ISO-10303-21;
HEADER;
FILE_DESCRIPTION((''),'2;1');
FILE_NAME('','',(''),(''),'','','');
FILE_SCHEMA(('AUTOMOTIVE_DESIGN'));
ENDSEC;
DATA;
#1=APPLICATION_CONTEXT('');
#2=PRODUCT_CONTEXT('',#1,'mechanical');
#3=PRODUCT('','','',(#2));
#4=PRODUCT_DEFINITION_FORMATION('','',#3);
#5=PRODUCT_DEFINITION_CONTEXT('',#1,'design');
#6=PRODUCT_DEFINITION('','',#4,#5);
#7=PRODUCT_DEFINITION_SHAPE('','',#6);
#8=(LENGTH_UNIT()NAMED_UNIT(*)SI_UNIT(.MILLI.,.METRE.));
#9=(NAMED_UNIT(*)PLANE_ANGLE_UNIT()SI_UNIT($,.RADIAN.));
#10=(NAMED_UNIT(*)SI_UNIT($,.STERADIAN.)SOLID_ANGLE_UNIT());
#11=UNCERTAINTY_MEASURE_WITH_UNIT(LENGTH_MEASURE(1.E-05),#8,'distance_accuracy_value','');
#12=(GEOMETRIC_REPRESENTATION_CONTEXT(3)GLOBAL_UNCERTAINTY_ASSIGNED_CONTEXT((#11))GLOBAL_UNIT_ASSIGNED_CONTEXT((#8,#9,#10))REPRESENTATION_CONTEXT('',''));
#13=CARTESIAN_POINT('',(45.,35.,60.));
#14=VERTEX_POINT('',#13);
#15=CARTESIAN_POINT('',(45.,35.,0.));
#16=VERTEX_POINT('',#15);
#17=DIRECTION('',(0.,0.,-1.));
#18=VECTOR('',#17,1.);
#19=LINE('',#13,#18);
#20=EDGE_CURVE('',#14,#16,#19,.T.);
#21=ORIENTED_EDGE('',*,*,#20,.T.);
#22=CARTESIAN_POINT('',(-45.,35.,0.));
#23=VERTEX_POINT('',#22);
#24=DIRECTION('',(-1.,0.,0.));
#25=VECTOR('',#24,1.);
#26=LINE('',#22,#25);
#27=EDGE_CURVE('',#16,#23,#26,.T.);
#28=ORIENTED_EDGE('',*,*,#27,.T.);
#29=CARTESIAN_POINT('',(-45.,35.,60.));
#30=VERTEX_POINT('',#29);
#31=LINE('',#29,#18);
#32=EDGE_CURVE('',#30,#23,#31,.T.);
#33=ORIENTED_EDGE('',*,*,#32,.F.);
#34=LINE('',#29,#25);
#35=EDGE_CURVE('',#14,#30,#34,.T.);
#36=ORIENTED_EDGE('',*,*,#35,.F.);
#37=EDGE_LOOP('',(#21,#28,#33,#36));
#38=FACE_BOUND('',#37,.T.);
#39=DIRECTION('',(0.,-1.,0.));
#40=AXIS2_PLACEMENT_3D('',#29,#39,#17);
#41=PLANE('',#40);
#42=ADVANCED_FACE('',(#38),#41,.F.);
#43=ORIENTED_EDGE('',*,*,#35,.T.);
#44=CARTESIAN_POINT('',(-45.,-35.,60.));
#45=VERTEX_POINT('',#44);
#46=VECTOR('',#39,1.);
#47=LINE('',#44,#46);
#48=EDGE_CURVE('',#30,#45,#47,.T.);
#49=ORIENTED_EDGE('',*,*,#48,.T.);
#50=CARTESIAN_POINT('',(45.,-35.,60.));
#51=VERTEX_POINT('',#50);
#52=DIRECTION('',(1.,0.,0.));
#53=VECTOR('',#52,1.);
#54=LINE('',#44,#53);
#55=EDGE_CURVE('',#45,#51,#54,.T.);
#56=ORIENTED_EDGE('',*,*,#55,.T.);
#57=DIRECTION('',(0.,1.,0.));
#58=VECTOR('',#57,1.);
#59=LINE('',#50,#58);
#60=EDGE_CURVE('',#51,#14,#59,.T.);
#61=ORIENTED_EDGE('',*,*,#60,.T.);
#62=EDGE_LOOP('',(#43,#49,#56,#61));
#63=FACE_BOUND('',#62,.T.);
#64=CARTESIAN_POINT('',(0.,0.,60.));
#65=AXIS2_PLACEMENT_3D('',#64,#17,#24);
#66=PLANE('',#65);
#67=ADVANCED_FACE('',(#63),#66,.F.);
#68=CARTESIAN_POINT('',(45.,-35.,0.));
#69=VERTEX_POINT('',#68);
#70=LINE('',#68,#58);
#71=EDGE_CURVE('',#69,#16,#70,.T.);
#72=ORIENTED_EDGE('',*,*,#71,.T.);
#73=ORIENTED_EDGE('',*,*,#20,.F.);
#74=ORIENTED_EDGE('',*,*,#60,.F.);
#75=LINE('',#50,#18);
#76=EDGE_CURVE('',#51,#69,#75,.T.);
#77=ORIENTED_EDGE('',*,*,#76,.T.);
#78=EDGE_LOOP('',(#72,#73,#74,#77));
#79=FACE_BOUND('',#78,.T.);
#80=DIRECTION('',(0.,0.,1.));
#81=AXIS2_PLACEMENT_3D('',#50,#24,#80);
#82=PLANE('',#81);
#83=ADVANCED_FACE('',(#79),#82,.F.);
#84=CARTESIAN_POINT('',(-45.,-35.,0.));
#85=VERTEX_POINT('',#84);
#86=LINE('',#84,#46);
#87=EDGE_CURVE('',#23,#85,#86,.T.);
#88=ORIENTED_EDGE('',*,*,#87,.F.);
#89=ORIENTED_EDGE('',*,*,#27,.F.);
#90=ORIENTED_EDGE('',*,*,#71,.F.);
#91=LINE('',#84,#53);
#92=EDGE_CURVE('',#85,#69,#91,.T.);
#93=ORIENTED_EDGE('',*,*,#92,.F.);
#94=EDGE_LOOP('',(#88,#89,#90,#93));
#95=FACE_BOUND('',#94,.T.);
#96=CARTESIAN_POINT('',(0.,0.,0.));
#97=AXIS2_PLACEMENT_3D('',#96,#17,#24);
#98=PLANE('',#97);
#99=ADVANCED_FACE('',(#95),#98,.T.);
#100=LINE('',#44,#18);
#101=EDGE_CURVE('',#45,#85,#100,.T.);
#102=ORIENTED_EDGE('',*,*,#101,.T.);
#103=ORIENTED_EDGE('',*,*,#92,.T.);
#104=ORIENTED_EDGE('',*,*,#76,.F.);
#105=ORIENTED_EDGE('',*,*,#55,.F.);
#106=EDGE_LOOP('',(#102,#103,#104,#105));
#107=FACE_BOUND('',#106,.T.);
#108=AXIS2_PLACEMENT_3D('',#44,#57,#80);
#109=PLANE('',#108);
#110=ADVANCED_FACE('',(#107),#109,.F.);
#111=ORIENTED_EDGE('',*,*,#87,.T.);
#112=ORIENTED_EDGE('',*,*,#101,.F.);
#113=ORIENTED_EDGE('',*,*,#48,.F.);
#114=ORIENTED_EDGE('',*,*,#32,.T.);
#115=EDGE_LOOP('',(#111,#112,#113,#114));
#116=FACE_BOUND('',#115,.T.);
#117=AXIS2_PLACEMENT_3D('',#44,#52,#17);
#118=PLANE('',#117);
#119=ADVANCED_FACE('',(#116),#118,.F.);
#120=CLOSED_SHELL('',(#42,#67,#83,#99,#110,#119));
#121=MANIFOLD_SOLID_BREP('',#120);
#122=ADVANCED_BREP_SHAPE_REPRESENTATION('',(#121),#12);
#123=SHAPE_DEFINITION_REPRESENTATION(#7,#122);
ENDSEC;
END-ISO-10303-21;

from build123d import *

# Parameters (mm, degrees)
SKETCH_1_W      = 90
SKETCH_1_H      = 70
EXTRUDE_1_DEPTH = 60


with BuildPart() as part:
    # 草图1 → 凸台-拉伸1 (new body)
    with BuildSketch(Plane.XY):
        Rectangle(SKETCH_1_W, SKETCH_1_H)
    extrude(amount=EXTRUDE_1_DEPTH)


solid = part.part
